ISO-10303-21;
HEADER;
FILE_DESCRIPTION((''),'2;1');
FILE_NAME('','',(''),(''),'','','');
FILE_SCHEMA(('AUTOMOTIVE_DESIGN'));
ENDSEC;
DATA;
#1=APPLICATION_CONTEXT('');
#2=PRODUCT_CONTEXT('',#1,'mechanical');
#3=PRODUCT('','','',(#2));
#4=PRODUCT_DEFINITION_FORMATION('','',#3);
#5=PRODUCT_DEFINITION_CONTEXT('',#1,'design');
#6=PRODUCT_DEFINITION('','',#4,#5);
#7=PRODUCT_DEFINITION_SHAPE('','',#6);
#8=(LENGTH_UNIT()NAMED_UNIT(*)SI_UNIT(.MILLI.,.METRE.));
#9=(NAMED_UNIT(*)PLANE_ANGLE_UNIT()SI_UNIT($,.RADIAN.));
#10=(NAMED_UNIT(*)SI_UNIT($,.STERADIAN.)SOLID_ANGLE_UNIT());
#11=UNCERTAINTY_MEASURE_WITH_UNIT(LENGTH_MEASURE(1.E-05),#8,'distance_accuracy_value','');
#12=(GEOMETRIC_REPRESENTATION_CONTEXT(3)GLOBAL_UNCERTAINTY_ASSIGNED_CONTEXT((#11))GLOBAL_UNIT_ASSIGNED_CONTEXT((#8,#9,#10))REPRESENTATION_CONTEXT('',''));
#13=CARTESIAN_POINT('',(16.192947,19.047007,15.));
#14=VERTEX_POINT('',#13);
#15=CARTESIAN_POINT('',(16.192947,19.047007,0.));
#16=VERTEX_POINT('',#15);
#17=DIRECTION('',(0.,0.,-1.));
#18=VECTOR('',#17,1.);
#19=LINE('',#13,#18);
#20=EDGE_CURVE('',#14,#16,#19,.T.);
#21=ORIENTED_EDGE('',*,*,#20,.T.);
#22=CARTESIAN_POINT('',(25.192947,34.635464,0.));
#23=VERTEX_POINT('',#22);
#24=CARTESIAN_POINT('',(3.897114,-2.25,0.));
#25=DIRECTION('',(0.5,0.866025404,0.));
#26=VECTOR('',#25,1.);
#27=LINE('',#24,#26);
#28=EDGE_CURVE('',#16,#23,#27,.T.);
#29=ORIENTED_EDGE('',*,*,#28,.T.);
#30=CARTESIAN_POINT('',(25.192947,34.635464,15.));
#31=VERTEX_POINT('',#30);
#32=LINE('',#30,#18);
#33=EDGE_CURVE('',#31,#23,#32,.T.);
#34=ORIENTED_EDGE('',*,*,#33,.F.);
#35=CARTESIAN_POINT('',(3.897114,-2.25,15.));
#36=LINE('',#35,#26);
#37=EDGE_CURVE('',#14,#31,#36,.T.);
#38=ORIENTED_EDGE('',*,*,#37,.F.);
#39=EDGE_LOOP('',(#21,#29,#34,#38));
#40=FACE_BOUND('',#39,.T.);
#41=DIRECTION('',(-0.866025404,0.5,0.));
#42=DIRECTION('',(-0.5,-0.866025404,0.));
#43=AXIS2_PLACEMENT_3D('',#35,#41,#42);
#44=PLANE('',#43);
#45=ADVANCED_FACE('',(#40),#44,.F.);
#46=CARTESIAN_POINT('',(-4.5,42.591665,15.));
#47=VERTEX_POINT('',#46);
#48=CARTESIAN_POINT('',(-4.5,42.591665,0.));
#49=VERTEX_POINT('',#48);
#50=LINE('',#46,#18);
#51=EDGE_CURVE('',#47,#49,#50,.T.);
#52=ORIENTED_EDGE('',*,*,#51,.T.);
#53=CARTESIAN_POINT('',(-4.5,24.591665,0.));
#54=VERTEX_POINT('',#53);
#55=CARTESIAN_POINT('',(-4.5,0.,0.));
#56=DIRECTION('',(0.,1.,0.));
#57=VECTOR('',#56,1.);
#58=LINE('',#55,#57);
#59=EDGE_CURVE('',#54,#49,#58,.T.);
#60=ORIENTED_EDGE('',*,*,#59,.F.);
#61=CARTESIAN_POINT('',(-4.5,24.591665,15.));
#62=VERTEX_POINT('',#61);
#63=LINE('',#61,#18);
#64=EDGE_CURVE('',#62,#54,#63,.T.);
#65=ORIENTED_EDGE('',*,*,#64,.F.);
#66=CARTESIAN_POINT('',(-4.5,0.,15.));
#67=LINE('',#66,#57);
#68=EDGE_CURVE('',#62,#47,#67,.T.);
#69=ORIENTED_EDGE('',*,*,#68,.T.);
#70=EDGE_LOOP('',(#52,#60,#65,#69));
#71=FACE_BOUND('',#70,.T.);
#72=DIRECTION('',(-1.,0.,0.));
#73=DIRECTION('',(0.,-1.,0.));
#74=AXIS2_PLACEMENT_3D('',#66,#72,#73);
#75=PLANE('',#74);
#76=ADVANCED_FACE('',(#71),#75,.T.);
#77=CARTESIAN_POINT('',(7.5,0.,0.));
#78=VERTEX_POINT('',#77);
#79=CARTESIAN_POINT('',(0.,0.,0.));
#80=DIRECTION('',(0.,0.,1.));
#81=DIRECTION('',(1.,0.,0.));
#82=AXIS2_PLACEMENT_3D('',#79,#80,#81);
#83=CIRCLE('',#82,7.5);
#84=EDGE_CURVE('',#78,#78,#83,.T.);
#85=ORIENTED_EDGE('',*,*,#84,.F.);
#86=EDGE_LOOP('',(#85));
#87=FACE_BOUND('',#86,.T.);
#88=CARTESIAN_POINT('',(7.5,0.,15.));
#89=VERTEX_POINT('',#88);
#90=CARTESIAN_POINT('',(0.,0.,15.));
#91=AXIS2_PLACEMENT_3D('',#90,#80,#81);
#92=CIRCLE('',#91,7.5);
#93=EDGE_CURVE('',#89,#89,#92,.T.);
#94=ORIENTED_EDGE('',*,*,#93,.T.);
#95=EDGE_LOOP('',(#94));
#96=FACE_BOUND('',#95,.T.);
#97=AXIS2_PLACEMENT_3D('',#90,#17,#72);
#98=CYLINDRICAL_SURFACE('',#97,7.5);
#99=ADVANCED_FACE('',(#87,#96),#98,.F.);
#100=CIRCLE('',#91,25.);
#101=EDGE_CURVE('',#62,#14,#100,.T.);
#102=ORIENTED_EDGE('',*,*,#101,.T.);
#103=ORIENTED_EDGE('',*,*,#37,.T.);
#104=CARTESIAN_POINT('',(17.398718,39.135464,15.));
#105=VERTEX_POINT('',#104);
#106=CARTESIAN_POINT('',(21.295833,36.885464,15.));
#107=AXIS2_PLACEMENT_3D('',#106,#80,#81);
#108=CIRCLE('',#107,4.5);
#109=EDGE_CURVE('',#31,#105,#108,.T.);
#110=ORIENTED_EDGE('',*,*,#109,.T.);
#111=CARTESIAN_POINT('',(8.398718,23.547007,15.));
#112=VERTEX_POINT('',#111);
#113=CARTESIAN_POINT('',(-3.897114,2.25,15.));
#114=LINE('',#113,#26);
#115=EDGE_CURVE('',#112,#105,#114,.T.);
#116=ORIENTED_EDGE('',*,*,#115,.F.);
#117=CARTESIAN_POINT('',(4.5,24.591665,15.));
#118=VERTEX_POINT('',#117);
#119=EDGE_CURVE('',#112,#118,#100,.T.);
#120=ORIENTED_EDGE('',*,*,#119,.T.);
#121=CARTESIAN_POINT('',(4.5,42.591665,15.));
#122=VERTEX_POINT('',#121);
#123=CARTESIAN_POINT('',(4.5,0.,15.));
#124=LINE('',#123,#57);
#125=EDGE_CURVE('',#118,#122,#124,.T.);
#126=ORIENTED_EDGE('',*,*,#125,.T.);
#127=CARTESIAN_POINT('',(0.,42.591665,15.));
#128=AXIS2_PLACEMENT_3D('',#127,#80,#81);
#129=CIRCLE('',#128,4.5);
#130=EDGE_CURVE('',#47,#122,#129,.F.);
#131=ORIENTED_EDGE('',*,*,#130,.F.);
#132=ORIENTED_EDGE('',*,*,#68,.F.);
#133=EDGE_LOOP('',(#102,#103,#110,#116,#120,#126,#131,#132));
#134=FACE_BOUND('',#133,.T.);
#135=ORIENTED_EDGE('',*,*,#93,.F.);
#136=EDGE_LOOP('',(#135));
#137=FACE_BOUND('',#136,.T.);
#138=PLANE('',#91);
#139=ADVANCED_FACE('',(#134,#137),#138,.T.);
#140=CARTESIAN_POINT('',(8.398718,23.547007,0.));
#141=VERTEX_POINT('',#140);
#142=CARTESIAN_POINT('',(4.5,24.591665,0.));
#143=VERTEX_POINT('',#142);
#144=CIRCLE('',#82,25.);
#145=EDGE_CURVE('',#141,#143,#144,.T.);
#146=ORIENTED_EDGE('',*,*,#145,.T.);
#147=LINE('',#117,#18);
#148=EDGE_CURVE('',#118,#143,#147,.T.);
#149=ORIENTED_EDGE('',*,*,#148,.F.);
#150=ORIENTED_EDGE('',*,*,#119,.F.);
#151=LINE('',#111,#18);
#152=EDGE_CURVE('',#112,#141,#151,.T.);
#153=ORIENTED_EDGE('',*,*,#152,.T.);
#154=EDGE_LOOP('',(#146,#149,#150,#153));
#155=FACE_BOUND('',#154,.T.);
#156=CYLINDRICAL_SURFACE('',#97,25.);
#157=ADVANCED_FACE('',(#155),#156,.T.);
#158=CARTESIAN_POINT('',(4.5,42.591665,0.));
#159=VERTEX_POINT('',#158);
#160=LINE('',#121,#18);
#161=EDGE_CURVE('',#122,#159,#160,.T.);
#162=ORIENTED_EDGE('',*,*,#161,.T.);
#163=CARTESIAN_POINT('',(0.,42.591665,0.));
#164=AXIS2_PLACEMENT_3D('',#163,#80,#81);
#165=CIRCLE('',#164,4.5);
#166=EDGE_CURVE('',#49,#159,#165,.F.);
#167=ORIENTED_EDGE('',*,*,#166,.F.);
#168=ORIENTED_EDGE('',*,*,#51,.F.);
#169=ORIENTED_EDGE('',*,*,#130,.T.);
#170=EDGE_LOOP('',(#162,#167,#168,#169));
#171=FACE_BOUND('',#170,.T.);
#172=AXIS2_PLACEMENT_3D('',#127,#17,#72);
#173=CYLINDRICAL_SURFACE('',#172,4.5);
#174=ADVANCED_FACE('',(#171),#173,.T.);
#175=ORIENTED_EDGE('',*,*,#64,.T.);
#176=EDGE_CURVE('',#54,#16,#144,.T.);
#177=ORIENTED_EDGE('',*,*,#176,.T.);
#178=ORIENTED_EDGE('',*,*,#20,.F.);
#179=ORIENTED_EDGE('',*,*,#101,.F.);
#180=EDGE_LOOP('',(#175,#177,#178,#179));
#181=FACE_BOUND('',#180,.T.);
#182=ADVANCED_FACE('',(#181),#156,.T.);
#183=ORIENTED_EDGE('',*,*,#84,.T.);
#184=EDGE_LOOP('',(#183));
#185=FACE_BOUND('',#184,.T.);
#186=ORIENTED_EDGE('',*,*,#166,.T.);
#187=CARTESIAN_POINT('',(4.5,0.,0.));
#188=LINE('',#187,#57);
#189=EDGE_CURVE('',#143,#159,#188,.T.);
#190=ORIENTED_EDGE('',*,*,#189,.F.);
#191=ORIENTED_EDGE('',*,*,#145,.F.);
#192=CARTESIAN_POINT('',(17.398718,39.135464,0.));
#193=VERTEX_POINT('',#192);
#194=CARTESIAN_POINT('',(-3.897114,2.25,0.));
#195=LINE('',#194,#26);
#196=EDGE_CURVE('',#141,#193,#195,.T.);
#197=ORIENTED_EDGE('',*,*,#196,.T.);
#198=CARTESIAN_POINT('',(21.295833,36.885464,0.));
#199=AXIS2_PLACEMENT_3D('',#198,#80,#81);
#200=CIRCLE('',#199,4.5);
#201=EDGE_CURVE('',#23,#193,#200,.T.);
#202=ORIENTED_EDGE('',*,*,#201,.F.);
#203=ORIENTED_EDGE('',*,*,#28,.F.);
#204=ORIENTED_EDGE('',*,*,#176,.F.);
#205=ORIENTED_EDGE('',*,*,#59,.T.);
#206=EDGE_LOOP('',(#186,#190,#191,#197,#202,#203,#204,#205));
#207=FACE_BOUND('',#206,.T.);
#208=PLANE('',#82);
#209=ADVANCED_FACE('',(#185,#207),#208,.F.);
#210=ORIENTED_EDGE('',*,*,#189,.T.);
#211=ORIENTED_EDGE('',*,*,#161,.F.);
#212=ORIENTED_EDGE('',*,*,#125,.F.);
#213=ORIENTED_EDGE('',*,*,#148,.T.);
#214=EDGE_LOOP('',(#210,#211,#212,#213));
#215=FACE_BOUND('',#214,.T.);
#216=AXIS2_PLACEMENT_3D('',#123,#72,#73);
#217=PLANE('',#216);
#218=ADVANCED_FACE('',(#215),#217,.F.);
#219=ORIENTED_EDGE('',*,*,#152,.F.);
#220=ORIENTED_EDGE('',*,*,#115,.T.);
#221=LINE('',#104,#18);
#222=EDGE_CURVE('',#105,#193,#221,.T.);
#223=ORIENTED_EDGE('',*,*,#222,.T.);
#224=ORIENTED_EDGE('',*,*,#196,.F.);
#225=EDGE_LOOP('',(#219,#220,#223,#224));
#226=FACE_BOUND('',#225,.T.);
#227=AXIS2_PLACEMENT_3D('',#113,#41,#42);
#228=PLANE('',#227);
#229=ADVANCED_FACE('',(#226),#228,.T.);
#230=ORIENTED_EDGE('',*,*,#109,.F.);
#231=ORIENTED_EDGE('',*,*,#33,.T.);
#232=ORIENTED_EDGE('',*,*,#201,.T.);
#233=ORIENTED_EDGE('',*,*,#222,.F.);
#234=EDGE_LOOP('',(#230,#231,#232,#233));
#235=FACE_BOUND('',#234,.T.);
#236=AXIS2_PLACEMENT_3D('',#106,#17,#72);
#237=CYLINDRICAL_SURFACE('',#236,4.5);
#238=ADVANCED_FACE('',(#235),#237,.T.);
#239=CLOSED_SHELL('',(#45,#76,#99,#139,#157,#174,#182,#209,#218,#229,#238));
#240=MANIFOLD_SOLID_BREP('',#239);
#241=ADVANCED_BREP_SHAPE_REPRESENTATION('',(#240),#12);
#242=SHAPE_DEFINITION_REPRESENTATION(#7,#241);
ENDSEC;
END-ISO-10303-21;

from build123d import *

# Parameters (mm, degrees)
SKETCH1_R           = 25
SKETCH1_R_2         = 7.5
BOSS_EXTRUDE1_DEPTH = 15


with BuildPart() as part:
    # Sketch1 → Boss-Extrude1 (new body)
    # profile 1 of 3: a face of its own
    with BuildSketch(Plane.XY):
        Circle(SKETCH1_R)
        Circle(SKETCH1_R_2, mode=Mode.SUBTRACT)
    # profile 2 of 3: a face of its own
    with BuildSketch(Plane.XY):
        with BuildLine():
            Line((-4.5, 42.591665255), (-4.5, 24.591665255))
            ThreePointArc((-4.5, 24.591665255), (0, 25), (4.5, 24.591665255))
            Line((4.5, 24.591665255), (4.5, 42.591665255))
            ThreePointArc((4.5, 42.591665255), (0, 47.091665255), (-4.5, 42.591665255))
        make_face()
    # profile 3 of 3: a face of its own
    with BuildSketch(Plane.XY):
        with BuildLine():
            Line((17.39871831, 39.1354641), (8.39871831, 23.547006832))
            ThreePointArc((8.39871831, 23.547006832), (12.5, 21.650635095), (16.192946944, 19.047006832))
            Line((16.192946944, 19.047006832), (25.192946944, 34.6354641))
            ThreePointArc((25.192946944, 34.6354641), (23.545832627, 40.782578417), (17.39871831, 39.1354641))
        make_face()
    extrude(amount=BOSS_EXTRUDE1_DEPTH)


solid = part.part
